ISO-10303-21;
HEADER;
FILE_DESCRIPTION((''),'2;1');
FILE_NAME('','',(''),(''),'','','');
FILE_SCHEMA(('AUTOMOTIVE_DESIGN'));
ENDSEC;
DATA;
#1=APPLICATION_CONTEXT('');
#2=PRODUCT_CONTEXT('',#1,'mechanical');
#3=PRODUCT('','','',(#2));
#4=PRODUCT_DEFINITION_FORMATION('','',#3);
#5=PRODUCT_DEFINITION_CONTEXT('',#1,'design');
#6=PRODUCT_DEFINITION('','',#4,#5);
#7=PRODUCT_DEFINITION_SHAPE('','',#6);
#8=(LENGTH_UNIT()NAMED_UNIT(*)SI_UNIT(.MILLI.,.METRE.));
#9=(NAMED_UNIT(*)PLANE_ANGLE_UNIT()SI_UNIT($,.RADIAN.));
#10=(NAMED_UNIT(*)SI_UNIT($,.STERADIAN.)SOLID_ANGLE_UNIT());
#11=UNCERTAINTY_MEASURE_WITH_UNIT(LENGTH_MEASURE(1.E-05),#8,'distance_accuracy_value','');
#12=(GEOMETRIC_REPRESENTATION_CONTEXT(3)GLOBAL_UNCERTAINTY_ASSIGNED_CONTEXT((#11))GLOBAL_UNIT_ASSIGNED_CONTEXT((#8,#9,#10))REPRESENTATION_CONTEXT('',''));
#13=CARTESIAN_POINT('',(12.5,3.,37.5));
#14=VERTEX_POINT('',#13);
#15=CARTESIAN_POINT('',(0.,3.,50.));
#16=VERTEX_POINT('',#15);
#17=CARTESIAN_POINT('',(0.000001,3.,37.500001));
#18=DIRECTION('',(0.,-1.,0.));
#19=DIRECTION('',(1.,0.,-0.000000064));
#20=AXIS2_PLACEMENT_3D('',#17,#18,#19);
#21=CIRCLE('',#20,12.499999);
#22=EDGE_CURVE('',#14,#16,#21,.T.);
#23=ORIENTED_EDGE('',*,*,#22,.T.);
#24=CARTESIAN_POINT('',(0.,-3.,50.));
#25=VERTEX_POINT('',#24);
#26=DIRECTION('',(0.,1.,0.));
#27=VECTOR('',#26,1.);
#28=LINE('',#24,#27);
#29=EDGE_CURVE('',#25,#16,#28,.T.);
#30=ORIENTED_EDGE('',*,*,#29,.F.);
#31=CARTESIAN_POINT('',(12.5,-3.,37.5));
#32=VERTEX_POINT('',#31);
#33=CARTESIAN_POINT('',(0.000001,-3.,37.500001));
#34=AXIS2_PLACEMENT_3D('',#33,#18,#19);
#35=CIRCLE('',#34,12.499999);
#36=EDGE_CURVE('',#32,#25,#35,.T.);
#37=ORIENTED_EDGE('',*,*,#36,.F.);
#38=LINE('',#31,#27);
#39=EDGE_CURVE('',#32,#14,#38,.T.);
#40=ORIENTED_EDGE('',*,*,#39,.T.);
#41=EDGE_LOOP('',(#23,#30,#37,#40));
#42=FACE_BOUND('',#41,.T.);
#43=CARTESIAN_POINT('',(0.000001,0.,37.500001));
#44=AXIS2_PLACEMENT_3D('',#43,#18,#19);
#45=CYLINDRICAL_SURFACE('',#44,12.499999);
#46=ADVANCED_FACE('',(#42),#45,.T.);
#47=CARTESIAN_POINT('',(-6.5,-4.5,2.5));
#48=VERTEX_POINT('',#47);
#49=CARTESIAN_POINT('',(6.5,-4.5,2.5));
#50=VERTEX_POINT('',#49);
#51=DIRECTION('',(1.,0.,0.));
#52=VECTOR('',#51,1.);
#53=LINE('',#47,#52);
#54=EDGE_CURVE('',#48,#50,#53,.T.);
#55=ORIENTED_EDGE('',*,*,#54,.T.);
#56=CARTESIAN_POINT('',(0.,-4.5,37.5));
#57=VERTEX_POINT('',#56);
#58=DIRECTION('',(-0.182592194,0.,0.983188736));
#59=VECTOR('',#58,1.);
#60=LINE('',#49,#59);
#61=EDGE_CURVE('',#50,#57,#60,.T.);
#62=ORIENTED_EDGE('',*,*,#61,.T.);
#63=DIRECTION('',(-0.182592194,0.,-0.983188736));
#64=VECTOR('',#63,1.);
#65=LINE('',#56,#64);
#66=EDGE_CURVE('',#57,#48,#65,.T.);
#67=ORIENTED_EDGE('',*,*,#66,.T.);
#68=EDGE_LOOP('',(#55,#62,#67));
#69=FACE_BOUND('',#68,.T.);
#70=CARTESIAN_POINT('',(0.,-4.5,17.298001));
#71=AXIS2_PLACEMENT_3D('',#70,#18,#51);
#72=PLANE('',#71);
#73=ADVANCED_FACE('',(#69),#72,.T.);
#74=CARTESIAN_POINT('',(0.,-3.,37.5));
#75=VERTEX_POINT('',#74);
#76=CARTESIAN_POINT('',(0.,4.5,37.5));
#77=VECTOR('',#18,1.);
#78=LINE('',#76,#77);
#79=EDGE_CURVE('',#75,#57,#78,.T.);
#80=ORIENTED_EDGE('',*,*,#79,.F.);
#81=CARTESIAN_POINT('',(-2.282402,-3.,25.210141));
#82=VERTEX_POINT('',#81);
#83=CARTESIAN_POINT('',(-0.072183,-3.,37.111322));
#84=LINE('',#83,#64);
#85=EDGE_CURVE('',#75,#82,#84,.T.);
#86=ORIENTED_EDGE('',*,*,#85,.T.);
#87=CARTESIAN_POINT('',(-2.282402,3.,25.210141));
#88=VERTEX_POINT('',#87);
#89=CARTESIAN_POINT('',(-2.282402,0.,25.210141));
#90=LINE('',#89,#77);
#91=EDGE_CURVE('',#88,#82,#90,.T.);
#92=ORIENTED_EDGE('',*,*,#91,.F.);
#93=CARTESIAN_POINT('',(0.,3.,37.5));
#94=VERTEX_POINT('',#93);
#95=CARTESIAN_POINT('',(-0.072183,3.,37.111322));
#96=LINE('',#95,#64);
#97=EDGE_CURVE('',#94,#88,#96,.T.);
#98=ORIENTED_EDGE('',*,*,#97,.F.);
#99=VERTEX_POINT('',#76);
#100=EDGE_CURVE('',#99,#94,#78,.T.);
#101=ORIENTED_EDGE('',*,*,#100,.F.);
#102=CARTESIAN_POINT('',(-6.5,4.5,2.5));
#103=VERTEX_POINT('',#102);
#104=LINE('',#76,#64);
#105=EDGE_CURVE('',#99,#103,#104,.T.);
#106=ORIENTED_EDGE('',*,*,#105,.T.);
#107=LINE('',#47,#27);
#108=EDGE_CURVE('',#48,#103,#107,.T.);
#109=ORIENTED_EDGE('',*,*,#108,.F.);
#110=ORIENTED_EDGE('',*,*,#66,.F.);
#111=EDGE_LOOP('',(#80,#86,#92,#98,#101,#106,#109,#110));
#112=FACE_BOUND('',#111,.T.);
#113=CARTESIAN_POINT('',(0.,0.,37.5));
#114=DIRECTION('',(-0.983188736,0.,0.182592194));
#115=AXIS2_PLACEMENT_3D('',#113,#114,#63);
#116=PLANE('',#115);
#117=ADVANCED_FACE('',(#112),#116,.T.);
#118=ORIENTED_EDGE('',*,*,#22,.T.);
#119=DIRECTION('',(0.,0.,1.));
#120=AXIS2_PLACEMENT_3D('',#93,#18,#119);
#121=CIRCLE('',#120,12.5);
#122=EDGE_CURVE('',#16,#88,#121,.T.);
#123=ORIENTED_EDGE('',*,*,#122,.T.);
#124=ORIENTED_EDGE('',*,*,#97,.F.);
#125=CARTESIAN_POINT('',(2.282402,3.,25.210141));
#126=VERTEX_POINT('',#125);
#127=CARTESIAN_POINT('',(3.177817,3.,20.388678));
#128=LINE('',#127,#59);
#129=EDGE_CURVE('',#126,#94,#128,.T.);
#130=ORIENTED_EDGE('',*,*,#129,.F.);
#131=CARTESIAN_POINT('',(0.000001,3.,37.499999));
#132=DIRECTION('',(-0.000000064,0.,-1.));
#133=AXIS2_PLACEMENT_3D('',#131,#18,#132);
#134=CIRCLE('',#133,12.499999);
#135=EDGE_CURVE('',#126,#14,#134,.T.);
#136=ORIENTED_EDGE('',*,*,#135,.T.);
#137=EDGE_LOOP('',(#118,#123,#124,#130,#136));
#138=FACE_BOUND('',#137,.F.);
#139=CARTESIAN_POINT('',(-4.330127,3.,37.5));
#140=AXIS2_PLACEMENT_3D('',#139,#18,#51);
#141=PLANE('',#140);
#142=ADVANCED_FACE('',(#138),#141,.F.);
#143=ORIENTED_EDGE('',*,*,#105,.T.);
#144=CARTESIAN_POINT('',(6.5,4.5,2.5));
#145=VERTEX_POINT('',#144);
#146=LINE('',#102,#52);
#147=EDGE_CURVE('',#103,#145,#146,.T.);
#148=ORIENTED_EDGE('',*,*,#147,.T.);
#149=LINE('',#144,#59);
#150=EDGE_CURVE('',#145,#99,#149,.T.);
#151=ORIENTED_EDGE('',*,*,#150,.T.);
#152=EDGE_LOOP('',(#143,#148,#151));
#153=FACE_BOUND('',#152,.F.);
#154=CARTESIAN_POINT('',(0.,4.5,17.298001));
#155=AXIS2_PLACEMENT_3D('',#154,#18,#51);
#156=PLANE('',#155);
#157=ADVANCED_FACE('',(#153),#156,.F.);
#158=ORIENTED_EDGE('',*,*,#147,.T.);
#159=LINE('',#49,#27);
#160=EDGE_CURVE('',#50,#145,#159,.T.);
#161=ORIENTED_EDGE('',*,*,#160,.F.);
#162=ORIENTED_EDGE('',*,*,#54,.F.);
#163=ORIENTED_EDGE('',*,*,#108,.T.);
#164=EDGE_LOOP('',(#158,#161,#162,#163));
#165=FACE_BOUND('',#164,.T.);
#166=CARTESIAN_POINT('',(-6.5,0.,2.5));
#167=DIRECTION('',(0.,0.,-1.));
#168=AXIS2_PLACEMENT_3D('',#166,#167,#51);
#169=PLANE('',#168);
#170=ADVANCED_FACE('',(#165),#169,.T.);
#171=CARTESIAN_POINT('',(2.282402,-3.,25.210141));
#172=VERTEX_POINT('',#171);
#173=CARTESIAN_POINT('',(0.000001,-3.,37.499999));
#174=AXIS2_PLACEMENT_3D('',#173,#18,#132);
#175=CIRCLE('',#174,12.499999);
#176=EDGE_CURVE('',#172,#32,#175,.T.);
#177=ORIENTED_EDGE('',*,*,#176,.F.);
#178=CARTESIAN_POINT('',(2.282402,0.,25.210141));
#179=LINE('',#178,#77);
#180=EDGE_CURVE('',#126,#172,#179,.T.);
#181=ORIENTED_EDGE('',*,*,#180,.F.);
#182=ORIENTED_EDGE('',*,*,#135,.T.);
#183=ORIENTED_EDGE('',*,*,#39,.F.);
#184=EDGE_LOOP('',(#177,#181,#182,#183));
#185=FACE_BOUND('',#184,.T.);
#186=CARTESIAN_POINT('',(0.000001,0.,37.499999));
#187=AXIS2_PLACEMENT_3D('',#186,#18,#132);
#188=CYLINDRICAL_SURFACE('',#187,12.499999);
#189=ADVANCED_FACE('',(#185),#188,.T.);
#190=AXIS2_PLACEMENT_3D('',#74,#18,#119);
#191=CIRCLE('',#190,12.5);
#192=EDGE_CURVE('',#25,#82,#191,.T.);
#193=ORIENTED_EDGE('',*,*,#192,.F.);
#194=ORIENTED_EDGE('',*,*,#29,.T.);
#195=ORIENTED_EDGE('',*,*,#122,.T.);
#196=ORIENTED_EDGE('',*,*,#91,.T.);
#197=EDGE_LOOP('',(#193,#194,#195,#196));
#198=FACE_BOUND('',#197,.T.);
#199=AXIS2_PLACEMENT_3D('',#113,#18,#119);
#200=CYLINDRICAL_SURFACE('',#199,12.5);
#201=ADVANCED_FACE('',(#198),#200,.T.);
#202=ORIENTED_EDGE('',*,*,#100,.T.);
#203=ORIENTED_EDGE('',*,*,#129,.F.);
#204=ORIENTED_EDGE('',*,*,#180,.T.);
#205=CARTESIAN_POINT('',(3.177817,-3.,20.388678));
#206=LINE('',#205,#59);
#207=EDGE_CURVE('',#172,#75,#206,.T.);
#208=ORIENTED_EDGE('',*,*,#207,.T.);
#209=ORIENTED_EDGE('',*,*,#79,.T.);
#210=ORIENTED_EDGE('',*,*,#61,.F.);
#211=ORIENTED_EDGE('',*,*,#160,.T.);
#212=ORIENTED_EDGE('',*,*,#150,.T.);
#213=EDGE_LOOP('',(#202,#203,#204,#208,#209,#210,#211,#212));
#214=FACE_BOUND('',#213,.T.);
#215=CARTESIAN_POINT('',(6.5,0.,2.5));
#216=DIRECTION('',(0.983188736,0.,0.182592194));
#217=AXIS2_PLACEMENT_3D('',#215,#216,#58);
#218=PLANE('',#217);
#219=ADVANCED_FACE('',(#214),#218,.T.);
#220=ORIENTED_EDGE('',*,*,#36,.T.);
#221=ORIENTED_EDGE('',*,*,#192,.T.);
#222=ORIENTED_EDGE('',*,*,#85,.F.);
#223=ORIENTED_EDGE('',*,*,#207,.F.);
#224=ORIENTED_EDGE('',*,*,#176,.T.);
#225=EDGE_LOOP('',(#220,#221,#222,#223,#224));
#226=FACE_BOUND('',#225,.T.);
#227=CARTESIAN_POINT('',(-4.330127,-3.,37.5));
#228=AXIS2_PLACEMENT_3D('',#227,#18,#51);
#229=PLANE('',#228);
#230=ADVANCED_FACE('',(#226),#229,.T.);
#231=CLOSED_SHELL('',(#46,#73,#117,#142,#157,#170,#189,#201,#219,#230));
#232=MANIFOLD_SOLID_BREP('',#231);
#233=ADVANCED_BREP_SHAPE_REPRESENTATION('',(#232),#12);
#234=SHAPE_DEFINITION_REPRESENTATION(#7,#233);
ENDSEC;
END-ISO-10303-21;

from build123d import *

# Parameters (mm, degrees)
F1_DEPTH = 3
F3_DEPTH = 4.5


with BuildPart() as f1:
    # F0 (on Front) → F1 (new body, symmetric)
    with BuildSketch(Plane.XZ):
        with BuildLine():
            Line((0, 25), (0, 50))
            ThreePointArc((0, 50), (-12.5, 37.5), (0, 25))
        make_face()
        with BuildLine():
            ThreePointArc((0, 25), (8.838835, 28.661165), (12.5, 37.5))
            ThreePointArc((12.5, 37.5), (8.838835, 46.338835), (0, 50))
            Line((0, 50), (0, 25))
        make_face()
    extrude(amount=F1_DEPTH, both=True)

    # F2 (on Front) → F3 (join, symmetric)
    with BuildSketch(Plane.XZ):
        Polygon((6.5, 2.5), (0, 37.5), (-6.5, 2.5), align=None)
    extrude(amount=F3_DEPTH, both=True)

    # F4: F1 across plane


with BuildPart() as f1_1:
    add(f1.part)
    add(f1.part.mirror(Plane.XZ))


solid = f1_1.part
